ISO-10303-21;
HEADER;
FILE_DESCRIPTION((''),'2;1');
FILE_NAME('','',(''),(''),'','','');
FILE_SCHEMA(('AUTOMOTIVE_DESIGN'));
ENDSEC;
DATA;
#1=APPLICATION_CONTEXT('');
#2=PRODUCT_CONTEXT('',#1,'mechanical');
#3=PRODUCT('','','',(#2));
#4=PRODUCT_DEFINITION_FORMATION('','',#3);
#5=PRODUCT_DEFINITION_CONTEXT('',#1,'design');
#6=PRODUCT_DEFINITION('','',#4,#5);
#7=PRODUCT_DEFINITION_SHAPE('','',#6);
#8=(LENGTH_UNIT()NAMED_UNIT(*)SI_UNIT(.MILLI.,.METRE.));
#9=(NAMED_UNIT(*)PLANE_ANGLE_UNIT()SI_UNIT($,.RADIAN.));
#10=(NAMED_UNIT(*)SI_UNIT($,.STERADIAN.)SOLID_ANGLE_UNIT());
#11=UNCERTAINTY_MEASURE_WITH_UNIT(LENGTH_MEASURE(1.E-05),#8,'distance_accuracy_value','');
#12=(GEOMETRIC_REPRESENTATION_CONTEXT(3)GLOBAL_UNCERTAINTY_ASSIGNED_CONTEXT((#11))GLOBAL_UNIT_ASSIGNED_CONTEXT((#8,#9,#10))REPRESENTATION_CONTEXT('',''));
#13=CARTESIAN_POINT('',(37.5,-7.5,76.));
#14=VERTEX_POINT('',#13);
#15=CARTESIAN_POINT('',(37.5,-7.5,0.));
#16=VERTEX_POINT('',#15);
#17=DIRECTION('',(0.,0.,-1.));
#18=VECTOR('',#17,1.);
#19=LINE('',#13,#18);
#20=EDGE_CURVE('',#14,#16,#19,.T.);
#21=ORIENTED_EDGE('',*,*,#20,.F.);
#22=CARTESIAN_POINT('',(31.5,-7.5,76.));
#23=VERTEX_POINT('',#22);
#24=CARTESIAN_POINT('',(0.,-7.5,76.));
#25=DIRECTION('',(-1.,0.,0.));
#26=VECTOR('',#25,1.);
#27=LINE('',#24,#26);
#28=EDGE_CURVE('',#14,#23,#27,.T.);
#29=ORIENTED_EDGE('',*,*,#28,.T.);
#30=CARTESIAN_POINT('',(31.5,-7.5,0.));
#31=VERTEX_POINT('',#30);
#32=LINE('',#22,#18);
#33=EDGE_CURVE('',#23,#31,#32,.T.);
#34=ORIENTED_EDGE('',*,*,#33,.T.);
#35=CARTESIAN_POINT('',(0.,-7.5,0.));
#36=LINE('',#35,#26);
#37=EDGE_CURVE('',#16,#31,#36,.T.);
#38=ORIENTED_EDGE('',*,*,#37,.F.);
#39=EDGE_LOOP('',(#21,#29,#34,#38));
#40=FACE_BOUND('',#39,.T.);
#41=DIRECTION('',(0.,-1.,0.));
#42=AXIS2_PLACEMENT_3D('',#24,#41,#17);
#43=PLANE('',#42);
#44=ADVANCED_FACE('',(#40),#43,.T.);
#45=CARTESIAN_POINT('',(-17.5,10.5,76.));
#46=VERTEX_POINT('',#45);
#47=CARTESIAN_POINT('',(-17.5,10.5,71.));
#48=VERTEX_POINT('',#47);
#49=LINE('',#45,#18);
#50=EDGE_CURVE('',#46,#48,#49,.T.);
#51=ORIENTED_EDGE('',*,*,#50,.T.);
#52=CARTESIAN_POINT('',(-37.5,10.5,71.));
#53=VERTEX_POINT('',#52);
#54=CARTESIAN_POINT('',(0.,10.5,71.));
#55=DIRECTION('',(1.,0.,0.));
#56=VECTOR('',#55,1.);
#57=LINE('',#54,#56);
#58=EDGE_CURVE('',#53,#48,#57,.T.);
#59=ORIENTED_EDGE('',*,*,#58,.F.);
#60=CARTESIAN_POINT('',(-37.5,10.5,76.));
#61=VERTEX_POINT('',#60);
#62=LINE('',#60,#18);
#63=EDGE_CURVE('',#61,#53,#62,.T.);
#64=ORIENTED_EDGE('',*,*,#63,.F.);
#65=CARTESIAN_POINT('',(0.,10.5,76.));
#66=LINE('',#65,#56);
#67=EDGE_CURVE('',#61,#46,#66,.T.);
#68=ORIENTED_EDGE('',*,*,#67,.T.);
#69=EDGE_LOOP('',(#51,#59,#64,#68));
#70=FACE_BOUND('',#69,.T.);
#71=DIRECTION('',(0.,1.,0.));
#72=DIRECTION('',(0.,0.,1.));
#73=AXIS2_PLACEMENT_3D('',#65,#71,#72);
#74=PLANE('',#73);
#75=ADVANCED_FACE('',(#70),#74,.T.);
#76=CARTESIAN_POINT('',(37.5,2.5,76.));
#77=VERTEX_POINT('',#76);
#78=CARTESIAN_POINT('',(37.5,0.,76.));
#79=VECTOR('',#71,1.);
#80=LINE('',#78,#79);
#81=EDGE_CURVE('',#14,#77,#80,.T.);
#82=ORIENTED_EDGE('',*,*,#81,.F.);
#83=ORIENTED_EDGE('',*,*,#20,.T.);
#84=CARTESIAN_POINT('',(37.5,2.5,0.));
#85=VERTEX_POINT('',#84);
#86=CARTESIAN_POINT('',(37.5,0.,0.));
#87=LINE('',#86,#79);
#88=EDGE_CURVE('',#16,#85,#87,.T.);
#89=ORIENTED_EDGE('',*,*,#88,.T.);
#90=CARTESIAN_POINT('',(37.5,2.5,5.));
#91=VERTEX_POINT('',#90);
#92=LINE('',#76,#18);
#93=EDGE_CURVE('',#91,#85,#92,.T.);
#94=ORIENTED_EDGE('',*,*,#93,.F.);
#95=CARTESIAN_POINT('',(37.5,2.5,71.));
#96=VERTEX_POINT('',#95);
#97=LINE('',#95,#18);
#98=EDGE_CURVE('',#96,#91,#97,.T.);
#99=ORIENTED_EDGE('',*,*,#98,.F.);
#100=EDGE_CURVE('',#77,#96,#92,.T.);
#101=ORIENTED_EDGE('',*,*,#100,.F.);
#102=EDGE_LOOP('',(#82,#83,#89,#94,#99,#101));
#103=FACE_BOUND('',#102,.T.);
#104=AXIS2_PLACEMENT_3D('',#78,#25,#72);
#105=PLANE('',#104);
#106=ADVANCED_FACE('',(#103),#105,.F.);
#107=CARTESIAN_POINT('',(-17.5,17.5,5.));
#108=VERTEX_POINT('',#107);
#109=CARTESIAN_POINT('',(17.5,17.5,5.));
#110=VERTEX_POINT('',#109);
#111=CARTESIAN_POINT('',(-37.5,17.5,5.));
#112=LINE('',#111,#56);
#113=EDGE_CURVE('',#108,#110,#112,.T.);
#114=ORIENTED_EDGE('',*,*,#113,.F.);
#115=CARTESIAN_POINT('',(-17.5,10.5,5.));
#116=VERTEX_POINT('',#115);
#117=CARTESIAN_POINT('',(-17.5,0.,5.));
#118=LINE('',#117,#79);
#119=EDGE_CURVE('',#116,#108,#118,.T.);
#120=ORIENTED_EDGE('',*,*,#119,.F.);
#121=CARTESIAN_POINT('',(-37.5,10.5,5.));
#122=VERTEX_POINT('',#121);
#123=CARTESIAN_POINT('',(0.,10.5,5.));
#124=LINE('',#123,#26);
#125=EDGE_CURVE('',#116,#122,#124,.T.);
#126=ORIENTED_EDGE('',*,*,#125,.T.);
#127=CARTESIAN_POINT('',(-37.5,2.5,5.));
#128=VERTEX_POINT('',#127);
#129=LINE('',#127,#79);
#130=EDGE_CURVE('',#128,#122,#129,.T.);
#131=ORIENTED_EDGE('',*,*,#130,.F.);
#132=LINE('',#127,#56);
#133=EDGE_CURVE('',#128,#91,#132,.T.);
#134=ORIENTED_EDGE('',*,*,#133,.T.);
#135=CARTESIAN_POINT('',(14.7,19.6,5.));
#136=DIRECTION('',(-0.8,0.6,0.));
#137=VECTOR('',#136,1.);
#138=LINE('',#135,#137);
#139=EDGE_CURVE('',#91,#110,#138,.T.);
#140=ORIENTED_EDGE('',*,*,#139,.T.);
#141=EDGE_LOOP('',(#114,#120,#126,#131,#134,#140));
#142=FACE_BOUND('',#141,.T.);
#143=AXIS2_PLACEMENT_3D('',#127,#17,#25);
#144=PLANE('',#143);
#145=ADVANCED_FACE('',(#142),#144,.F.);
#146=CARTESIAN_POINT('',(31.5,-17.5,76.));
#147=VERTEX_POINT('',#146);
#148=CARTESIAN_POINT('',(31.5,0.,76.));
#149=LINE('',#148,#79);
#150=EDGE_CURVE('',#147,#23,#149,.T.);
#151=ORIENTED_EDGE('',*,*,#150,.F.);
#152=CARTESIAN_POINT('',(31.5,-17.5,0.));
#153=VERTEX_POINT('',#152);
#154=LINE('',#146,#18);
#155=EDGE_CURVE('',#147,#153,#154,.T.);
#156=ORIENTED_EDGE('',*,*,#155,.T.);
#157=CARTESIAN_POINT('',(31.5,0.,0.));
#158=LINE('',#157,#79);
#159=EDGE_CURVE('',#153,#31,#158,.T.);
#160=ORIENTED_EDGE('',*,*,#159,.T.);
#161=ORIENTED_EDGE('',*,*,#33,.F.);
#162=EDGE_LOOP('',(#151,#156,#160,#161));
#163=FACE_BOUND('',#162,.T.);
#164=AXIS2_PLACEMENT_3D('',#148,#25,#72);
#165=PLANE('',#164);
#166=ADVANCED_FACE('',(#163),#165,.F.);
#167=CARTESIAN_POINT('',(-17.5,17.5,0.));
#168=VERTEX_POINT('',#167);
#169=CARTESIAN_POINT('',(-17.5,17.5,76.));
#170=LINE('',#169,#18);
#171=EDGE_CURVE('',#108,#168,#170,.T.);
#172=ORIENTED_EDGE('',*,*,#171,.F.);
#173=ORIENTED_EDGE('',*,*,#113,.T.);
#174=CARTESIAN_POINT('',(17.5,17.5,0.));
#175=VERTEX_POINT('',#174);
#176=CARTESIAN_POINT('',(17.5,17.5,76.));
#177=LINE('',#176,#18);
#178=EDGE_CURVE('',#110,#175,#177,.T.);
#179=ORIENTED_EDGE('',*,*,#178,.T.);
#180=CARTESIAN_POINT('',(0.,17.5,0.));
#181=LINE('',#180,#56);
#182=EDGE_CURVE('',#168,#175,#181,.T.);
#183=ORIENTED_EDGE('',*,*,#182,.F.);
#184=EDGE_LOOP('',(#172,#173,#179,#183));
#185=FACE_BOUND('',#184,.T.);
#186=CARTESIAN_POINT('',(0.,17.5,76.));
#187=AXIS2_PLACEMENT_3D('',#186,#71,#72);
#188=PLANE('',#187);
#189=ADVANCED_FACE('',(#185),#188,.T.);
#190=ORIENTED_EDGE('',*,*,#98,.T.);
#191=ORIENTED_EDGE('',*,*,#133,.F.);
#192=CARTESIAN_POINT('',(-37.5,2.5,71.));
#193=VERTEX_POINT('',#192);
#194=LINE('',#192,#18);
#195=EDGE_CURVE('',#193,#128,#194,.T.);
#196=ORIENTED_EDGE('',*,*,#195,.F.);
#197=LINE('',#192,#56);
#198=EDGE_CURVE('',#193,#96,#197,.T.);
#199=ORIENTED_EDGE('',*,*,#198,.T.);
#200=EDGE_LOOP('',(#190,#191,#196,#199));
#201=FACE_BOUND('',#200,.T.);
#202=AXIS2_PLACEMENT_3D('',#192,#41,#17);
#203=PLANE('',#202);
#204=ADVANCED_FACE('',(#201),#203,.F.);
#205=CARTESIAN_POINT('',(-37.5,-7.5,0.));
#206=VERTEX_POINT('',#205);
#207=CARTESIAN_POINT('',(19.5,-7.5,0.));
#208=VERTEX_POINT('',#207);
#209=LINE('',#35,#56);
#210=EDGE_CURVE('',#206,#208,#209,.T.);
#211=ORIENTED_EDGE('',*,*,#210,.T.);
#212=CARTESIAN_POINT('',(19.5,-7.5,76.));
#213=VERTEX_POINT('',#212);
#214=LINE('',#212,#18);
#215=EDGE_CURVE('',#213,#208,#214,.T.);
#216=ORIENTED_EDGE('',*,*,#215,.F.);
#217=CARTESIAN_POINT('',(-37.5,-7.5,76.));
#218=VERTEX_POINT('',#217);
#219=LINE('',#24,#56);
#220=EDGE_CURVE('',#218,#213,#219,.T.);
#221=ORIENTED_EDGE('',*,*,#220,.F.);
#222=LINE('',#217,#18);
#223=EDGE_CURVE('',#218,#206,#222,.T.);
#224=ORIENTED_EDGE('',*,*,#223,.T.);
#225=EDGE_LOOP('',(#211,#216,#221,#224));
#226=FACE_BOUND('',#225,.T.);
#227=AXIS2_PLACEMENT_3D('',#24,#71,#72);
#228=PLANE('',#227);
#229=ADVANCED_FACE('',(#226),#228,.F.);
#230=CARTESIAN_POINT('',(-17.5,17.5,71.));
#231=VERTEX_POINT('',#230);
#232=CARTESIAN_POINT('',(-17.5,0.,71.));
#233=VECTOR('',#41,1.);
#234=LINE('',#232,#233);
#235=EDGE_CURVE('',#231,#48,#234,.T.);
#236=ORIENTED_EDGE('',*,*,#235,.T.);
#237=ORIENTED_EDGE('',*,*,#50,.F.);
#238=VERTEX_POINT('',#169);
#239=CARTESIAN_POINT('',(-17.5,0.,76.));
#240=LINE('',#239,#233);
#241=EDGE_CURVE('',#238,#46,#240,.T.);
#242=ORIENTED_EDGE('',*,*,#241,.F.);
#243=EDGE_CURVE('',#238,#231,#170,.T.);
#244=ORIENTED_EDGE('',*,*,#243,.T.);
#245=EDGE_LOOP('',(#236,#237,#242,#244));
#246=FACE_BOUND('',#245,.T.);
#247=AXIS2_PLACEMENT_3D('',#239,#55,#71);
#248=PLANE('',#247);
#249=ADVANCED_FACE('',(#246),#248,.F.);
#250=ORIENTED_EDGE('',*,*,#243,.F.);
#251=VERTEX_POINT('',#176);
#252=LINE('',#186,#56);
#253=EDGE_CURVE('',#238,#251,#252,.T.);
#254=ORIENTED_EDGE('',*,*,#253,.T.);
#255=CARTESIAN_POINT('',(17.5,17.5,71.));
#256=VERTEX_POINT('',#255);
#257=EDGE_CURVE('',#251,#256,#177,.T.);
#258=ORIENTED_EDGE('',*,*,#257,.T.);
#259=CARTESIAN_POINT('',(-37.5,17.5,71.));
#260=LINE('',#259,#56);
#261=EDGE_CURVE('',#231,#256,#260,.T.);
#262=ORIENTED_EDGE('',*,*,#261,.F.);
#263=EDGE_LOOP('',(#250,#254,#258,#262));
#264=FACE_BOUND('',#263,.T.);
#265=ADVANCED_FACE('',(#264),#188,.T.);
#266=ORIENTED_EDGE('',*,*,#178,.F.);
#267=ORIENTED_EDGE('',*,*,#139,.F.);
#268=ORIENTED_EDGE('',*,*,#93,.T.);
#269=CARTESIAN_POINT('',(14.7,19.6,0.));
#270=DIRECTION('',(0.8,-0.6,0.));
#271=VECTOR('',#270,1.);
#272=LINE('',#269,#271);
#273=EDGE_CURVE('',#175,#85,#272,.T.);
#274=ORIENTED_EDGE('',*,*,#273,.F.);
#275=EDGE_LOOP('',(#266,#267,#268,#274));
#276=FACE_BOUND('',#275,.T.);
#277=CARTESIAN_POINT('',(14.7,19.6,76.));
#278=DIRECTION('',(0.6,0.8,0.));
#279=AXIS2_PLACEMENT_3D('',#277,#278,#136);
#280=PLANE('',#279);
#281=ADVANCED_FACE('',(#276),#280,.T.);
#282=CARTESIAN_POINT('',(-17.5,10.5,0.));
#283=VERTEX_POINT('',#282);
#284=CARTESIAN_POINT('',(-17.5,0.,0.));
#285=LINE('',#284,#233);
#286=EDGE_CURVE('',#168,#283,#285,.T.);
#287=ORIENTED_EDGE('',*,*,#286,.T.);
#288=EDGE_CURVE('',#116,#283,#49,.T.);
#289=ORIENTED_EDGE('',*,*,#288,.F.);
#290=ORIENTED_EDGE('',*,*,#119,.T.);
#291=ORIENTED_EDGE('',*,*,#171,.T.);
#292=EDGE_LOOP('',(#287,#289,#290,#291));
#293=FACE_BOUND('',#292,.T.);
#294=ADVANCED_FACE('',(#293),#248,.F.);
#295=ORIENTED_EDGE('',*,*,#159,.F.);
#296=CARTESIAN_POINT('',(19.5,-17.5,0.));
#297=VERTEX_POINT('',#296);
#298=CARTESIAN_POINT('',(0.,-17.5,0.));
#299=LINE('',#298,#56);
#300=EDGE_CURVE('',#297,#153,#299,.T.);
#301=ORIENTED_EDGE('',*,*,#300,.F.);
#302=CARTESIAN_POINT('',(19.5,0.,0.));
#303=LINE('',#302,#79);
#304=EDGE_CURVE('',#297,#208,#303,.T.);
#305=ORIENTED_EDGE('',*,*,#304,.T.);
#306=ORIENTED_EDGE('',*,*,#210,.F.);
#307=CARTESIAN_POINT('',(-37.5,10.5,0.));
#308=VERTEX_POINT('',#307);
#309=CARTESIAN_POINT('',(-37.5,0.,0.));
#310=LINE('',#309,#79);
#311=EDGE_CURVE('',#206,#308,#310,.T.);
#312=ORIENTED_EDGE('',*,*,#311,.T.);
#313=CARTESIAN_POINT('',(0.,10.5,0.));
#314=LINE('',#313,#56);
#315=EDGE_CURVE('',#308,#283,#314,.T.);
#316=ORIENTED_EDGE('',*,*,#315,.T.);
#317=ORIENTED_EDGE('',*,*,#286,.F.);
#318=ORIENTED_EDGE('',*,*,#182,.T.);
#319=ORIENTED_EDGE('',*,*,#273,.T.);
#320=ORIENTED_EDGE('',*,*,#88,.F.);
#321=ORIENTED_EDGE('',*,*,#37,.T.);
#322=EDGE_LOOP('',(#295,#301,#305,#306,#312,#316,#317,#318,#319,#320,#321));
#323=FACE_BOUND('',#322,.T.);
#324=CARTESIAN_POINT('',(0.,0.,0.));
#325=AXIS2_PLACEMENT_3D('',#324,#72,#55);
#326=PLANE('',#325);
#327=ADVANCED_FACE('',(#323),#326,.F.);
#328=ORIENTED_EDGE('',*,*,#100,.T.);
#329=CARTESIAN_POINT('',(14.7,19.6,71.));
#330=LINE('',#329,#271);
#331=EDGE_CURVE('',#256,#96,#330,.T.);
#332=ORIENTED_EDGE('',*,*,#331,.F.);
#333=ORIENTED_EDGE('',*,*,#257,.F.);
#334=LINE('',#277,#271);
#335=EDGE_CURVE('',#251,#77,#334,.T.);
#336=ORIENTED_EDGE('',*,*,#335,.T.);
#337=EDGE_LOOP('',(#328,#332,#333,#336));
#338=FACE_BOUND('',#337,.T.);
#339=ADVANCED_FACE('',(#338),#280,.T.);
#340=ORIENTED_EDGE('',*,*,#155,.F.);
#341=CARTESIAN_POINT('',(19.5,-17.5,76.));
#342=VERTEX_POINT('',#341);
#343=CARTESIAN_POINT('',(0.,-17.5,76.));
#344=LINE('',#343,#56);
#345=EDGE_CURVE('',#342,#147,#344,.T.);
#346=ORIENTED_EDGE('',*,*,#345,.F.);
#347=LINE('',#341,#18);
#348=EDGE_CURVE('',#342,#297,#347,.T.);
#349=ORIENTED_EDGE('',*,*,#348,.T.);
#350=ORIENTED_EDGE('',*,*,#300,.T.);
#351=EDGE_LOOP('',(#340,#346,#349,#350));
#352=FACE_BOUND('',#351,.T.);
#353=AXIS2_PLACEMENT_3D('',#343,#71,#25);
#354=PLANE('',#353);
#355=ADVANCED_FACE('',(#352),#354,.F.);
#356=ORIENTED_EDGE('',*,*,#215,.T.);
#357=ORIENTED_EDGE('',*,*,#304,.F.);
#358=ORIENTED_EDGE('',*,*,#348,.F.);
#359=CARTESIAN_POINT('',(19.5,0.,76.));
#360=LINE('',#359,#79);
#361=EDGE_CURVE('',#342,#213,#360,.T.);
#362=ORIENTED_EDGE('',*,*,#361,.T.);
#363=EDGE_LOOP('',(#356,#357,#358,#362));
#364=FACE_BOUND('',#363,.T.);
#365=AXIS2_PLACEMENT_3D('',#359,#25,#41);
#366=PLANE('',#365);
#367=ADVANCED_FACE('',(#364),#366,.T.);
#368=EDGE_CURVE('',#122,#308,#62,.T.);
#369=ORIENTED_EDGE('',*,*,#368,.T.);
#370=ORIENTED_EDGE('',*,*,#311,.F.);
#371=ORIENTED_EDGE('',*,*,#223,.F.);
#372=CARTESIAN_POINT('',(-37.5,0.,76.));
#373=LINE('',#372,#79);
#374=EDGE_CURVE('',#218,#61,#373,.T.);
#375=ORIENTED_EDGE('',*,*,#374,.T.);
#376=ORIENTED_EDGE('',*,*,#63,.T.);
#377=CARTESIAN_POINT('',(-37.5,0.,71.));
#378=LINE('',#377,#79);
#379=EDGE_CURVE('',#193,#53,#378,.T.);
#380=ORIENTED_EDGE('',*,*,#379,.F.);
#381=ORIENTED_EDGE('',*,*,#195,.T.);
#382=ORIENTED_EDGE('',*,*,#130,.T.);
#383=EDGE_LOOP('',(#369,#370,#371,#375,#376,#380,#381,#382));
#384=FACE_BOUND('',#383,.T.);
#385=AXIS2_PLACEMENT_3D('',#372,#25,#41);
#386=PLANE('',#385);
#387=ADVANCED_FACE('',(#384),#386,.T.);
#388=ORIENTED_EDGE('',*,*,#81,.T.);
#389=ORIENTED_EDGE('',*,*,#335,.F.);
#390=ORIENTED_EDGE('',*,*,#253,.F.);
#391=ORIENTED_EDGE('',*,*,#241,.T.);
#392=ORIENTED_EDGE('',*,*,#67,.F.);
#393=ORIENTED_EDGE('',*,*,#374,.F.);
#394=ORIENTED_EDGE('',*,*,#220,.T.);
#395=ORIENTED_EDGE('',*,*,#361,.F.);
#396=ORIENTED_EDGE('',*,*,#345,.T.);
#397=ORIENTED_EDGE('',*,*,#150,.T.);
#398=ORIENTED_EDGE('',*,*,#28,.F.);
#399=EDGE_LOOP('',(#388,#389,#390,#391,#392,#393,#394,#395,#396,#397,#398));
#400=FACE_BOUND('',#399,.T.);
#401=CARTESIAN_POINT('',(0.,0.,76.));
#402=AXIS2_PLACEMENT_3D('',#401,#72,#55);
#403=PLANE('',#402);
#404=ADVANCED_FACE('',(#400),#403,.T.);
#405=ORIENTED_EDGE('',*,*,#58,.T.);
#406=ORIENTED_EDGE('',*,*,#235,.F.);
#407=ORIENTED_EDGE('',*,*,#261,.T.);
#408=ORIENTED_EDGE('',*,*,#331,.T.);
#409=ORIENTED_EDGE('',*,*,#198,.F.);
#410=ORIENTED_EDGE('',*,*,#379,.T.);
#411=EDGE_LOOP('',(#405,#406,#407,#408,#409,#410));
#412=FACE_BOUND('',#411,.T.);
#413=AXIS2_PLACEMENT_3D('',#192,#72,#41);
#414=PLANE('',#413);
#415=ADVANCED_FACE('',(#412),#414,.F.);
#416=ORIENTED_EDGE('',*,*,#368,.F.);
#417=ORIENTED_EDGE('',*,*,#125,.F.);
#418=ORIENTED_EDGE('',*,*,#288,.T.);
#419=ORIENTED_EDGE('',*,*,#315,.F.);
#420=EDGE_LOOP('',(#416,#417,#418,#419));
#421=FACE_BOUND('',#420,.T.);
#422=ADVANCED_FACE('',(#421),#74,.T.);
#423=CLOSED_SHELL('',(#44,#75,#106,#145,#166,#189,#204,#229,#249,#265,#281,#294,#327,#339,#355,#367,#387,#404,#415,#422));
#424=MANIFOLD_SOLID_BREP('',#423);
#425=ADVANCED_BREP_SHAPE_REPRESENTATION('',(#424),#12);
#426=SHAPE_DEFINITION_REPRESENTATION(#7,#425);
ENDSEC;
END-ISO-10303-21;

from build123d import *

# Parameters (mm, degrees)
EXTRUDE_1_DEPTH     = 76
SKETCH_2_W          = 66
SKETCH_2_H          = 15
CUT_EXTRUDE_1_DEPTH = 109.200046211


with BuildPart() as part:
    # Эскиз1 → Бобышка-Вытянуть1 (new body)
    with BuildSketch(Plane.XY):
        Polygon((37.5, 2.5), (17.5, 17.5), (-17.5, 17.5), (-17.5, 10.5), (-37.5, 10.5), (-37.5, -7.5), (19.5, -7.5), (19.5, -17.5), (31.5, -17.5), (31.5, -7.5), (37.5, -7.5), align=None)
    extrude(amount=EXTRUDE_1_DEPTH)

    # Эскиз2 → Вырез-Вытянуть1 (cut, through all)
    with BuildSketch(Plane(origin=(37.5, 0, 0), x_dir=(0, 0, -1), z_dir=(1, 0, 0))):
        with Locations((-38, 10)):
            Rectangle(SKETCH_2_W, SKETCH_2_H)
    extrude(amount=-CUT_EXTRUDE_1_DEPTH, mode=Mode.SUBTRACT)


solid = part.part
